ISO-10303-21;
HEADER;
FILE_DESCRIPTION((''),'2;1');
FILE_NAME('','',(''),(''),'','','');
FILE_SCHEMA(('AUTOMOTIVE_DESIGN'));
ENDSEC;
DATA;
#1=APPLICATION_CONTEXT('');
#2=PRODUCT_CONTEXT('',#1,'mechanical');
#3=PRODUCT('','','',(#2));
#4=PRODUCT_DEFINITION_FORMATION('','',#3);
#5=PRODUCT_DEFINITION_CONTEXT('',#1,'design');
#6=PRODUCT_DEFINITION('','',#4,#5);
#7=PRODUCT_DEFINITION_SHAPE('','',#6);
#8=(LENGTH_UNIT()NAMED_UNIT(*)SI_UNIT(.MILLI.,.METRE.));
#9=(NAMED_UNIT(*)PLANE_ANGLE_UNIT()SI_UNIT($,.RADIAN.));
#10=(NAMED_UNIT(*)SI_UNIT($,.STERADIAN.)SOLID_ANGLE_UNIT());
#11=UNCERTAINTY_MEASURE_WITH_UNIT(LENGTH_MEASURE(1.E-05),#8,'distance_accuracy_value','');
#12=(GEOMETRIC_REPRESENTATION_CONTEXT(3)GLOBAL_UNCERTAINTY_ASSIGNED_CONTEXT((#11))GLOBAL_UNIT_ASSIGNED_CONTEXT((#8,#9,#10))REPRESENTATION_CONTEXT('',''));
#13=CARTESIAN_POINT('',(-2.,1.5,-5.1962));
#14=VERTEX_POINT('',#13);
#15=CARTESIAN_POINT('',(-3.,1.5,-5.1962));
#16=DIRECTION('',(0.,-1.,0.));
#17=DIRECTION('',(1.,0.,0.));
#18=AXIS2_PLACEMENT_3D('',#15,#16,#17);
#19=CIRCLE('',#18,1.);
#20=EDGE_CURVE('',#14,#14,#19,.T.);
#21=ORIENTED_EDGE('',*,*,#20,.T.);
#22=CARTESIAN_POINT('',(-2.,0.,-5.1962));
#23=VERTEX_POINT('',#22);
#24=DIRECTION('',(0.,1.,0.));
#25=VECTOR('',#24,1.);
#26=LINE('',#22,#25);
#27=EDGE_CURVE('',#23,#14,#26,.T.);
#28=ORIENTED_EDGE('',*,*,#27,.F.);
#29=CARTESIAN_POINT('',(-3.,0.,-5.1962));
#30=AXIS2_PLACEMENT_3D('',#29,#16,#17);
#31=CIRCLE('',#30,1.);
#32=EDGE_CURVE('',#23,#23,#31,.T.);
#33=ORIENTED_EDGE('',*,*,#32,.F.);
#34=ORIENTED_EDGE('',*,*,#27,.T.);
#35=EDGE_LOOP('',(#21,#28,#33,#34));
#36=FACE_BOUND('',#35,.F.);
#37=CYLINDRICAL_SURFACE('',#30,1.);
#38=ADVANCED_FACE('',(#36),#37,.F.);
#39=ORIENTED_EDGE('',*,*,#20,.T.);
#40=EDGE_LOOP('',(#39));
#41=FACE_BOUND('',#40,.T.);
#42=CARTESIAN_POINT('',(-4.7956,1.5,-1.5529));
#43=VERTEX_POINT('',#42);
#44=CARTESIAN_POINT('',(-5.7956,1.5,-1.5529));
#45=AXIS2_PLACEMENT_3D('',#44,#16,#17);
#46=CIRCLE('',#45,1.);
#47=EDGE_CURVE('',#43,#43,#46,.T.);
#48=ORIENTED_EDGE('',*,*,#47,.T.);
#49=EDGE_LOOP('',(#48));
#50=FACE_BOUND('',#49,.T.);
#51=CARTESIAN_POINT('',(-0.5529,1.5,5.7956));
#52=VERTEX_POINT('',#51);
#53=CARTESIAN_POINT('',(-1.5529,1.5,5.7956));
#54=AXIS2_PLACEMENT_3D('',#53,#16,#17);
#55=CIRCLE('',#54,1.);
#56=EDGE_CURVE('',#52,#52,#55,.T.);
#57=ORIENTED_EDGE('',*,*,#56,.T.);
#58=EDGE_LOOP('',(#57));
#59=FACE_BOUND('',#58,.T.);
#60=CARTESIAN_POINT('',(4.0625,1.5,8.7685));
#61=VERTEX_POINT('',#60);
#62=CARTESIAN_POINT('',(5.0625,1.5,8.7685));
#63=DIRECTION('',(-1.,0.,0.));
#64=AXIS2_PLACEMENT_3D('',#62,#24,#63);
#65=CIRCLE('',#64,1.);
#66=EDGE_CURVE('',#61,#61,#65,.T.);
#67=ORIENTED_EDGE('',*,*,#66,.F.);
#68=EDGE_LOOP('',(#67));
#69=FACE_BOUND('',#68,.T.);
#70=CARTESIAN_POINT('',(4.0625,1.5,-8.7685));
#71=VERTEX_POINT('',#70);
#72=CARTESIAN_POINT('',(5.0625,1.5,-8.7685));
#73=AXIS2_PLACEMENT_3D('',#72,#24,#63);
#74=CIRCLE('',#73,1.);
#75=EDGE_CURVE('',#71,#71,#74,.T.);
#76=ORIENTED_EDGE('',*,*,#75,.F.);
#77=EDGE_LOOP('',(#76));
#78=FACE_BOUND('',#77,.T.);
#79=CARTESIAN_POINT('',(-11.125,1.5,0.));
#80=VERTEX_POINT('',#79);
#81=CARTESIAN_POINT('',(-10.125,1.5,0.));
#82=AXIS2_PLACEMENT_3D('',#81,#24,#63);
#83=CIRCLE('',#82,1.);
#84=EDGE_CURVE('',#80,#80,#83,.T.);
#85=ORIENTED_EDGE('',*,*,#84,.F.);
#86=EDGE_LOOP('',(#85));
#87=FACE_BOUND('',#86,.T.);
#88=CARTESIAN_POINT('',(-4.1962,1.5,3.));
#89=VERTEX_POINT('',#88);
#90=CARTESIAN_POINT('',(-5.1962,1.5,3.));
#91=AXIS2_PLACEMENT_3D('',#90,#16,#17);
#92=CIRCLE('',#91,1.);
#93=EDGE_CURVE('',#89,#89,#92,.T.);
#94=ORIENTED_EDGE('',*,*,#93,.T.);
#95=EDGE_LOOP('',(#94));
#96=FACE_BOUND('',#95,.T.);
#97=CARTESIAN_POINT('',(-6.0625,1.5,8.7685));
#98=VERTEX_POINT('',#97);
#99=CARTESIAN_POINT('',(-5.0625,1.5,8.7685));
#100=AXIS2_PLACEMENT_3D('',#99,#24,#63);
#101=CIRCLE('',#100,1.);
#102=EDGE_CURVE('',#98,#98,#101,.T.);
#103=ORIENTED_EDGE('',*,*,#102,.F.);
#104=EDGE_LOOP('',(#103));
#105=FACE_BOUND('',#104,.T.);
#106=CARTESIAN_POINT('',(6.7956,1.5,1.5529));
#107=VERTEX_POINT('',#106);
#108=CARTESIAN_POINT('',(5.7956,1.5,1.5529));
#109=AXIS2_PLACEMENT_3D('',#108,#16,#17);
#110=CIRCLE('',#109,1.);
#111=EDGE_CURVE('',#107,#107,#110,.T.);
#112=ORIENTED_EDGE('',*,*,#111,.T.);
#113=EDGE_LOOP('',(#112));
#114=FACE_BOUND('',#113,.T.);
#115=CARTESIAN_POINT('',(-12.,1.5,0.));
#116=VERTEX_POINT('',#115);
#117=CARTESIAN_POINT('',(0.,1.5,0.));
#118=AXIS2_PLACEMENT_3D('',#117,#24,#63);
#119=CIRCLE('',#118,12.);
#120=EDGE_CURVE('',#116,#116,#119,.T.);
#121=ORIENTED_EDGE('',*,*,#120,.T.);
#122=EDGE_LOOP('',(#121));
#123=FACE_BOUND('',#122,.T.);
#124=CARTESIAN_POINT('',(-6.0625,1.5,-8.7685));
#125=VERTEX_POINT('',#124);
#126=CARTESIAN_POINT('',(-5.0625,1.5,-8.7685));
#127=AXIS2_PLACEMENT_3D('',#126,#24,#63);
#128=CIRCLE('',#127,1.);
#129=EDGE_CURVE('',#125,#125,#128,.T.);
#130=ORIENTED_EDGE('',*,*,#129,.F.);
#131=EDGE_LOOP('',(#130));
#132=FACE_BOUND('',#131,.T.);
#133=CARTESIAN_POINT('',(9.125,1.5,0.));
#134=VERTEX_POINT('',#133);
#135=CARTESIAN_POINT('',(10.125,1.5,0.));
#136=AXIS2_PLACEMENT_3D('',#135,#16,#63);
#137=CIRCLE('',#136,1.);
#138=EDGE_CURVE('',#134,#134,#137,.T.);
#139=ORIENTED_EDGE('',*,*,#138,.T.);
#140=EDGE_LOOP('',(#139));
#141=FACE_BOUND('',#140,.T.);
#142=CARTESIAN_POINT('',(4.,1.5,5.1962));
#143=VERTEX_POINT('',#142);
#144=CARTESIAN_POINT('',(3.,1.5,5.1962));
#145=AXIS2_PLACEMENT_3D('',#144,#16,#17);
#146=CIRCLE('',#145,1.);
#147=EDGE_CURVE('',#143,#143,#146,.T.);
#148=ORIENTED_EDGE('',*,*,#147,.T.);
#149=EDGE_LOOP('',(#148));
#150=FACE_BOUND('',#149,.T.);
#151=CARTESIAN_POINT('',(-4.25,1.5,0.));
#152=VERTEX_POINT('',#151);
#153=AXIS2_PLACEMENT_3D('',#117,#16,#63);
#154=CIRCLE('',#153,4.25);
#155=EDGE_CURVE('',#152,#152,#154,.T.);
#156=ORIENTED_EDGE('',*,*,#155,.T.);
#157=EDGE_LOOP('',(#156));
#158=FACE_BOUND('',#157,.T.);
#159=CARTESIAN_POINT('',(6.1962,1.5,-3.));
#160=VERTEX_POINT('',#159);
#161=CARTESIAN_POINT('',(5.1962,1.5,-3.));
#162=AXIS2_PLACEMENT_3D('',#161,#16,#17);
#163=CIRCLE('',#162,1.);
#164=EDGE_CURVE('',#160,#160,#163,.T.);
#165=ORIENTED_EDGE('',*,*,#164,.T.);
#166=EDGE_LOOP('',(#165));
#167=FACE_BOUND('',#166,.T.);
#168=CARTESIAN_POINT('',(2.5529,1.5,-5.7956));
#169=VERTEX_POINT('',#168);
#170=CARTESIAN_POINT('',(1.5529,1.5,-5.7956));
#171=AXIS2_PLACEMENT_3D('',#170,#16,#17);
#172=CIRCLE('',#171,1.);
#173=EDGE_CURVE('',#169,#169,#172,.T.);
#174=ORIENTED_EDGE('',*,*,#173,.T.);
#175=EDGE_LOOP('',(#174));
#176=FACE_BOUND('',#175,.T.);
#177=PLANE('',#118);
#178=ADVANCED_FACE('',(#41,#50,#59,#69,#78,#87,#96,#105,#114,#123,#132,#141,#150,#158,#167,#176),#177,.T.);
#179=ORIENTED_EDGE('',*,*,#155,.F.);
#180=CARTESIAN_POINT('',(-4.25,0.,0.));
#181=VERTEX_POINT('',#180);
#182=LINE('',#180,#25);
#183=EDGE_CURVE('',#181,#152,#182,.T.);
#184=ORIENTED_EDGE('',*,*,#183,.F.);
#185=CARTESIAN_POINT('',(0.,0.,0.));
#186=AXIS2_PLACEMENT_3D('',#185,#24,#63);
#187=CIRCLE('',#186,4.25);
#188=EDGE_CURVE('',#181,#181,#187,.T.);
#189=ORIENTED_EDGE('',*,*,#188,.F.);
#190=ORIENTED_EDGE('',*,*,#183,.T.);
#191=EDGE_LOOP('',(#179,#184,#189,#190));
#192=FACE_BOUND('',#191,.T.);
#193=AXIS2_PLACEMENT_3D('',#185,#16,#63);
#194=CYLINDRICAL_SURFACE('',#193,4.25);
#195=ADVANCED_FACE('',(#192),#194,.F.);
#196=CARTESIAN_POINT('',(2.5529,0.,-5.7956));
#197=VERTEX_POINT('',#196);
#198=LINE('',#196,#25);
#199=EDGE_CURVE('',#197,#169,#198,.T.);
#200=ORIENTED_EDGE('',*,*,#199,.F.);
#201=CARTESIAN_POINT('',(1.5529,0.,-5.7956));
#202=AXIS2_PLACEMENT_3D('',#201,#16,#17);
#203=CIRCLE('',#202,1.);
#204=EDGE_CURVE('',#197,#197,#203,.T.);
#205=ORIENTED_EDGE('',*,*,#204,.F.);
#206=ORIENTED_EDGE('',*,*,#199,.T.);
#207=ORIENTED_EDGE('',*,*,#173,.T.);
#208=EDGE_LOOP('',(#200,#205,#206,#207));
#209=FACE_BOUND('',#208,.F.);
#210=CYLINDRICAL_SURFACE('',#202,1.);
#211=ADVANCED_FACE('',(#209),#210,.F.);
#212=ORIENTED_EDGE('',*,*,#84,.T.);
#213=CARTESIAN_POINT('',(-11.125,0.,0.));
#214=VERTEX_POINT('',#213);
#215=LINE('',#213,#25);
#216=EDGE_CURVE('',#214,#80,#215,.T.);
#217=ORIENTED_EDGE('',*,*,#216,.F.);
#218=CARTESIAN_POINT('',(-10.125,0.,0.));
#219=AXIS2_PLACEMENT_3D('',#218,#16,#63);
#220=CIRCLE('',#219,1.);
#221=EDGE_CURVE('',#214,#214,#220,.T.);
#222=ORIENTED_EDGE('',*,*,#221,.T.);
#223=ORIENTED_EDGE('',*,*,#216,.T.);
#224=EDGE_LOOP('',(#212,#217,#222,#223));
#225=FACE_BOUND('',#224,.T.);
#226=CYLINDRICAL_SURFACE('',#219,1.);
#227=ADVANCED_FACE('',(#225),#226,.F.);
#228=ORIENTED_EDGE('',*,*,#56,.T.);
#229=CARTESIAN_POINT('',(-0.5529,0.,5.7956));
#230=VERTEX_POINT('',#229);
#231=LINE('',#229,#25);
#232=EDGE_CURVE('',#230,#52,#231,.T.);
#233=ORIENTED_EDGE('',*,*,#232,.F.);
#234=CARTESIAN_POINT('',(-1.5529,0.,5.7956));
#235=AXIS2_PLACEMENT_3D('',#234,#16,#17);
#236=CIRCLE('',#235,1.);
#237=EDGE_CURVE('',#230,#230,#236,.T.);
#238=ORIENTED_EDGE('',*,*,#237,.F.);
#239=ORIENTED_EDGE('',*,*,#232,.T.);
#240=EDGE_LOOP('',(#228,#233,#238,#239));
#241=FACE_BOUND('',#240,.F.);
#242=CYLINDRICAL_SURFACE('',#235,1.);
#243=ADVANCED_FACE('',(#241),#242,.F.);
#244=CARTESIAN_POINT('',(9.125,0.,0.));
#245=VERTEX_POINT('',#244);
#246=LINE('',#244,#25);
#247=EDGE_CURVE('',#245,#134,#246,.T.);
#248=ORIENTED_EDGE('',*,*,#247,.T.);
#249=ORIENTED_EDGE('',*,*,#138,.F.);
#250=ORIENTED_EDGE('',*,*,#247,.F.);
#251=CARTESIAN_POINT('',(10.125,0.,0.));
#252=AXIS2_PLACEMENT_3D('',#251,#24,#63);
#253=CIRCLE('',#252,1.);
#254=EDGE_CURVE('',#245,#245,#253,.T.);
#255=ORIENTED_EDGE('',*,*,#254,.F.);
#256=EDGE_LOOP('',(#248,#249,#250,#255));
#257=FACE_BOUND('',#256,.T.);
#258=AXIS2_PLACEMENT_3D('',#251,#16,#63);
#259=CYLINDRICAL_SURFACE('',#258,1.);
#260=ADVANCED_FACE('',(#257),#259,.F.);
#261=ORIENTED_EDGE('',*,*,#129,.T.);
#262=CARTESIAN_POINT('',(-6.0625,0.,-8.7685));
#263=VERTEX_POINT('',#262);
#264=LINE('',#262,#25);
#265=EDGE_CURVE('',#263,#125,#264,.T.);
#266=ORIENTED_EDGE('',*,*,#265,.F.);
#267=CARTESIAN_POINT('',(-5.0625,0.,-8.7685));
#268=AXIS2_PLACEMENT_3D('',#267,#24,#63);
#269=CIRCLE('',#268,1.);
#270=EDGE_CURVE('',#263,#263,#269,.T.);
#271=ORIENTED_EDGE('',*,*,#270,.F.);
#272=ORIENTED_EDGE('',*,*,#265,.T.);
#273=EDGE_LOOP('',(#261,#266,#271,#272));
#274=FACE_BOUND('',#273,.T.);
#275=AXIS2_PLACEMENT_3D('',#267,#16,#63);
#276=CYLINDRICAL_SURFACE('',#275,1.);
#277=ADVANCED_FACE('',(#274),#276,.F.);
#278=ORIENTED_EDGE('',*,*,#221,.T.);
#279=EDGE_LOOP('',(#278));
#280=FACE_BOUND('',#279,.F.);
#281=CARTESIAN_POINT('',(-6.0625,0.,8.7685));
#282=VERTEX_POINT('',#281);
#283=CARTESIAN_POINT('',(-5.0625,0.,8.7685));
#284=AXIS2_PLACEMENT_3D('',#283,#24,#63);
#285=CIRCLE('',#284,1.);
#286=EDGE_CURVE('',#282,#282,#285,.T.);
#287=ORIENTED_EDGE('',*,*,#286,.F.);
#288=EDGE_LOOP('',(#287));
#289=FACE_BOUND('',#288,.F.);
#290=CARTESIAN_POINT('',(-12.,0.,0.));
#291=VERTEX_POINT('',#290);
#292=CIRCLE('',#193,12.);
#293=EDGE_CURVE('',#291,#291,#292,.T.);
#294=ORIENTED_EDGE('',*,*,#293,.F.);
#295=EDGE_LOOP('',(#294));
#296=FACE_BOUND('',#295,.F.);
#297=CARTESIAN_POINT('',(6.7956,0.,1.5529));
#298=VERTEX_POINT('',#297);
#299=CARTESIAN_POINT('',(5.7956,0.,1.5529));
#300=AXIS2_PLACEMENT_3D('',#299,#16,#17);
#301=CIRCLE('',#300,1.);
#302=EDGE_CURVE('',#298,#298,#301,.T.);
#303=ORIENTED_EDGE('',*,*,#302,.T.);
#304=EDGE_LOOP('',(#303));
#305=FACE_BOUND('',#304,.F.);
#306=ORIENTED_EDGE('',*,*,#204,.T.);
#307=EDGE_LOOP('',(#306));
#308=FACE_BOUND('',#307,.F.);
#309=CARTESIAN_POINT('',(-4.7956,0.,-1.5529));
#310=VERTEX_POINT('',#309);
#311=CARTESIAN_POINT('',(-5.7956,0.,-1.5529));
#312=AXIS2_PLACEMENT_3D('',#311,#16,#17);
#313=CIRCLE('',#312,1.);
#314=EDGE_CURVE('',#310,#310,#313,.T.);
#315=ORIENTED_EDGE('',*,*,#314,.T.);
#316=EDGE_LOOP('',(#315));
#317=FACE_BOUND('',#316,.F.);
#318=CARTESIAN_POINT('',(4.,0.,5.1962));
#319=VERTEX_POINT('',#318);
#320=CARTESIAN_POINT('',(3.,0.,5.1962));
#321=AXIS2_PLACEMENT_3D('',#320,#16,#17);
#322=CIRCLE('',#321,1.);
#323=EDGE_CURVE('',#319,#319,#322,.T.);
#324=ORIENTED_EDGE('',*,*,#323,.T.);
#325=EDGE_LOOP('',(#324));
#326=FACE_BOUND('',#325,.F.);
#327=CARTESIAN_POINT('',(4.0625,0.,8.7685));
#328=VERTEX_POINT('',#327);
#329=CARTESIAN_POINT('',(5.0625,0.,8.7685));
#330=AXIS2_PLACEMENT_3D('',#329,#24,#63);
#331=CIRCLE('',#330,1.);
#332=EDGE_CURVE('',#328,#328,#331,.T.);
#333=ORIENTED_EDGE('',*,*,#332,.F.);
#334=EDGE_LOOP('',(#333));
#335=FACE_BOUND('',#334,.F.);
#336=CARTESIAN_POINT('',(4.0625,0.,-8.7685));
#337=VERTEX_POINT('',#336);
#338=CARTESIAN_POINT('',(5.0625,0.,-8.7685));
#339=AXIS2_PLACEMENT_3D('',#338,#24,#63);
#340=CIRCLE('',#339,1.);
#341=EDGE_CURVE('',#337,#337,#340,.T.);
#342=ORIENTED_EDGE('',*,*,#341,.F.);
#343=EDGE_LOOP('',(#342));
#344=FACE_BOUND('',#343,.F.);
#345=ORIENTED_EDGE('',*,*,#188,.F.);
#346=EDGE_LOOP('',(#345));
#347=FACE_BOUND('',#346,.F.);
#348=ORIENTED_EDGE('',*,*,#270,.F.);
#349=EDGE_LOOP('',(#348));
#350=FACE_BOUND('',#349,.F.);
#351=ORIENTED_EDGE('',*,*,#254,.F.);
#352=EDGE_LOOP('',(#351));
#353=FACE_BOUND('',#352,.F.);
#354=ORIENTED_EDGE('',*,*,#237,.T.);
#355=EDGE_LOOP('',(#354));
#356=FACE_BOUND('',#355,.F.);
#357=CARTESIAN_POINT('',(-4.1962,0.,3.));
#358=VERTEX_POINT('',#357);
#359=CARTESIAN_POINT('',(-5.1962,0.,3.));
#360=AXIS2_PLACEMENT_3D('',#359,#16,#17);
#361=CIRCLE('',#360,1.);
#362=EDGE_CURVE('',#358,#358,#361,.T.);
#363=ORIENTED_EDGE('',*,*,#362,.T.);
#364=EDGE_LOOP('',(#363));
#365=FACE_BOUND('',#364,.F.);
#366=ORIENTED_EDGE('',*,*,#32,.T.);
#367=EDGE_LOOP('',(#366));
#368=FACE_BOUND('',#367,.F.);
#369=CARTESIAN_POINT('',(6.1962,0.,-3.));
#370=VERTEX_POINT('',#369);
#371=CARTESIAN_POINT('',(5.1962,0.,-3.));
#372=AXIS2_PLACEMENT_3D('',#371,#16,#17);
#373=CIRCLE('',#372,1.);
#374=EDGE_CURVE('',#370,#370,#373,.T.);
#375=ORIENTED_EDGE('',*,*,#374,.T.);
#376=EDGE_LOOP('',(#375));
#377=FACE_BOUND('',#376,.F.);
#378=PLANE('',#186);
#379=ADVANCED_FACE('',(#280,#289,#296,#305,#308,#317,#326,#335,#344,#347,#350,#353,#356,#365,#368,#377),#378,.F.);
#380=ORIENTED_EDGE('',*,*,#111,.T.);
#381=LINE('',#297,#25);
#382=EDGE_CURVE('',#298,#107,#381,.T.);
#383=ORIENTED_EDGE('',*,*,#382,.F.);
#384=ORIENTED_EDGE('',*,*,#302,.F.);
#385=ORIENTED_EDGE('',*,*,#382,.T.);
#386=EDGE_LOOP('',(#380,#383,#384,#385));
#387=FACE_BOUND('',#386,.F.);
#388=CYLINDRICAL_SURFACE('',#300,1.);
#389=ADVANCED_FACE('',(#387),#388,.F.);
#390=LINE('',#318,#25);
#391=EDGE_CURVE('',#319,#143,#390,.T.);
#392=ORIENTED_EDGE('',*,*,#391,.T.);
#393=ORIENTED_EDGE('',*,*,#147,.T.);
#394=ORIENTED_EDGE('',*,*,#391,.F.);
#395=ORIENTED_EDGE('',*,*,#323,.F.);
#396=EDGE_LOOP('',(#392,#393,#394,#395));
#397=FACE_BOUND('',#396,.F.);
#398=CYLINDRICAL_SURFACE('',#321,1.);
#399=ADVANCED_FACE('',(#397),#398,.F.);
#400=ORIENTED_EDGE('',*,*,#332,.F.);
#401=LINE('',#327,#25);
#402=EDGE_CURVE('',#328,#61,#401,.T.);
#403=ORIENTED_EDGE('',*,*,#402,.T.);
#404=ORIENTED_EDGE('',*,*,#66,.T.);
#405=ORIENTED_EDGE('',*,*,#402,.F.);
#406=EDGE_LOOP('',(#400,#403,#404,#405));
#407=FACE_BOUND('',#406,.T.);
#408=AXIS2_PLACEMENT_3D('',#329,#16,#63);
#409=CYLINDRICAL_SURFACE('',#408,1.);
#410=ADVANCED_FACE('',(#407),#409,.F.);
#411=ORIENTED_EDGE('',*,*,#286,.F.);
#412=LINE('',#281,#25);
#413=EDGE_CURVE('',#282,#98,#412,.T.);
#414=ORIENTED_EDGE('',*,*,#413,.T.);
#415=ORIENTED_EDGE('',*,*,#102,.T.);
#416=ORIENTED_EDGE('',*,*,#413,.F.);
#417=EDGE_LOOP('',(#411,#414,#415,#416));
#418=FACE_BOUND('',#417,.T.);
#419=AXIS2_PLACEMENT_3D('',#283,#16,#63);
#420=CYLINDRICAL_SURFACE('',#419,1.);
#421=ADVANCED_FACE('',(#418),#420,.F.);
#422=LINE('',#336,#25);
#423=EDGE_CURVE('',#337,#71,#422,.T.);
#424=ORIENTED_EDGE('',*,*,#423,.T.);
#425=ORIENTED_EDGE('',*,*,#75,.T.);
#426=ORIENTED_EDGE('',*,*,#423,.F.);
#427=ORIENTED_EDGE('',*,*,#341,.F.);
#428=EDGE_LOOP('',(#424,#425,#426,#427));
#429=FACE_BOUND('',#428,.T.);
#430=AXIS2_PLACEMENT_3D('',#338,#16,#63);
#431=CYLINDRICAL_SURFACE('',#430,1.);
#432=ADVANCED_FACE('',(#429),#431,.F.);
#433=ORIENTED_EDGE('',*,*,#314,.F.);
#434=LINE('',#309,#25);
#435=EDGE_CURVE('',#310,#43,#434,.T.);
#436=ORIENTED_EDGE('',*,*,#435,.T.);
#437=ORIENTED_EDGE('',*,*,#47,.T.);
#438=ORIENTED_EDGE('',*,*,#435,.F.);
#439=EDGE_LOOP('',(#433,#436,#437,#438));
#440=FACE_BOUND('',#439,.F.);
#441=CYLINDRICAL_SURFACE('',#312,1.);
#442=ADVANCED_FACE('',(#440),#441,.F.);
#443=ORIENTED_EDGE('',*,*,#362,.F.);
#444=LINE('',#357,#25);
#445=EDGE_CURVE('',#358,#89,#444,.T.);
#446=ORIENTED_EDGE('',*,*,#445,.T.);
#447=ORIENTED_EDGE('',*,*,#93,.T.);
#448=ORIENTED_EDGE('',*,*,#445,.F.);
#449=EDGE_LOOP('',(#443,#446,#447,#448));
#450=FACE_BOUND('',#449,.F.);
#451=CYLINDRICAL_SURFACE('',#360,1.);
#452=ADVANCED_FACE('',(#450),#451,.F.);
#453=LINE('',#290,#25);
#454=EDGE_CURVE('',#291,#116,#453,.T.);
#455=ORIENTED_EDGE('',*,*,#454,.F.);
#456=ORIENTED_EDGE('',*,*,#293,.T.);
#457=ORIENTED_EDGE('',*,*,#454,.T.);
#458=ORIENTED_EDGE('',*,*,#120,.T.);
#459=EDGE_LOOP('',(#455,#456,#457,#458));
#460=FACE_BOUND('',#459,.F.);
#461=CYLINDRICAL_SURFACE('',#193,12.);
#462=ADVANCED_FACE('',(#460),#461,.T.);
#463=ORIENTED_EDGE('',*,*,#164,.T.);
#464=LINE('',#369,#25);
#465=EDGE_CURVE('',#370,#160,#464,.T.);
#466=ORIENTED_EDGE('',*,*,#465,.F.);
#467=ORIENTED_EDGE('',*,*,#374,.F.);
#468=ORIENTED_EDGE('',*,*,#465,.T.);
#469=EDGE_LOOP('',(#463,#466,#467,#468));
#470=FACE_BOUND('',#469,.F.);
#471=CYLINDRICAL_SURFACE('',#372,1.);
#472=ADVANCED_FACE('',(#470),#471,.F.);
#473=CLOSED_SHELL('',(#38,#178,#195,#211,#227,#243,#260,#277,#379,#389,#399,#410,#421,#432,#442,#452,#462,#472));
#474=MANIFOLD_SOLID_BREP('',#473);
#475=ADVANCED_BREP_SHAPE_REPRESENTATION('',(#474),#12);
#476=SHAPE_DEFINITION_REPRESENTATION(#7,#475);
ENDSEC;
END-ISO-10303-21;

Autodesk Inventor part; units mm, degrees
ref_plane "YZ Plane" through (0, 0, 0) normal (1, 0, 0) x (0, 1, 0)
ref_plane "XZ Plane" through (0, 0, 0) normal (0, 1, 0) x (-1, 0, 0)
ref_plane "XY Plane" through (0, 0, 0) normal (0, 0, 1) x (1, 0, 0)
sketch "スケッチ1" plane through (0, 0, 0) normal (0, 1, 0) x (-1, 0, 0)
  circle A0 centre (0, 0) radius 8.25 construction
  circle A1 centre (0, 0) radius 12
  circle A2 centre (0, 0) radius 10.125 construction
  circle A3 centre (10.125, 0) radius 1
  line L0 (16.8, 0) -> (-16.8, 0)
  circle A4 centre (5.0625, 8.7685) radius 1
  circle A5 centre (-5.0625, 8.7685) radius 1
  circle A6 centre (-10.125, 0) radius 1
  circle A7 centre (-5.0625, -8.7685) radius 1
  circle A8 centre (5.0625, -8.7685) radius 1
  circle A9 centre (0, 0) radius 4.25
  dimension "d3" = 20.25
  dimension "d0" = 16.5
  dimension "d1" = 24
  dimension "d4" = 2
  dimension "d7" = 360
  dimension "d9" = 8.5
extrude "プレート1" add sketch "スケッチ1" along normal blind 1.5 contours L0 A3 A9 A6 A1 | A1 L0 A6 A9 A3
sketch "スケッチ2" plane through (0, 0, 0) normal (0, -1, 0) x (1, 0, 0)
  circle A0 centre (5.1962, -3) radius 1 projected
  circle A1 centre (5.7956, 1.5529) radius 1 projected
  circle A2 centre (3, 5.1962) radius 1 projected
  circle A3 centre (-5.7956, -1.5529) radius 1 projected
  line L0 (17.8564, -1.0718) -> (9.8564, -14.9282) projected
  line L1 (-17.8564, 1.0718) -> (-12.4853, -2.0292) projected
  arc A4 (11.5588, 3.2239) -> (-2.9874, 11.6222) centre (0, 0) ccw projected
  line L2 (4.4853, -11.8272) -> (9.8564, -14.9282) projected
  line L3 (-17.8564, 1.0718) -> (-9.8564, 14.9282) projected
  line L4 (17.8564, -1.0718) -> (12.4853, 2.0292) projected
  arc A5 (-11.5588, -3.2239) -> (2.9874, -11.6222) centre (0, 0) ccw projected
  line L5 (-4.4853, 11.8272) -> (-9.8564, 14.9282) projected
  circle A6 centre (-5.7956, -1.5529) radius 1 projected
  circle A7 centre (-3, -5.1962) radius 1 projected
  circle A8 centre (0, 0) radius 4.25 projected
  circle A9 centre (1.5529, -5.7956) radius 1 projected
  circle A10 centre (5.1962, -3) radius 1 projected
  circle A11 centre (5.7956, 1.5529) radius 1 projected
  circle A12 centre (3, 5.1962) radius 1 projected
  circle A13 centre (1.5529, -5.7956) radius 1 projected
  circle A14 centre (-5.0625, 8.7685) radius 1 projected
  circle A15 centre (-5.0625, -8.7685) radius 1 projected
  circle A16 centre (10.125, 0) radius 1 projected
  circle A17 centre (5.0625, -8.7685) radius 1 projected
  circle A18 centre (-10.125, 0) radius 1 projected
  circle A19 centre (5.0625, 8.7685) radius 1 projected
  arc A20 (4.4853, -11.8272) -> (2.9874, -11.6222) centre (3.4853, -13.5592) ccw projected
  arc A21 (-11.5588, -3.2239) -> (-12.4853, -2.0292) centre (-13.4853, -3.7613) ccw projected
  arc A22 (-4.4853, 11.8272) -> (-2.9874, 11.6222) centre (-3.4853, 13.5592) ccw projected
  arc A23 (11.5588, 3.2239) -> (12.4853, 2.0292) centre (13.4853, 3.7613) ccw projected
  circle A24 centre (-5.1962, 3) radius 1 projected
  circle A25 centre (-1.5529, 5.7956) radius 1 projected
  point P0 (0, 0)
  point P1 (0, 0)
  point P2 (0, 0)
  point P3 (0, 0)
  point P4 (0, 0)
  point P5 (9.798, -10)
  point P6 (-9.798, -10)
  point P7 (-9.798, 10)
  point P8 (9.798, 10)
extrude "切り取り1" cut sketch "スケッチ2" against normal blind 1.5 contours A0 | A1 | A2 | A3 | A7 | A9 | A24 | A25
equation "\"d3\" = 0.5 * d0 + 0.5 * d1"
equation "\"d10\" = Thickness"
equation "\"d2\" = Thickness"
equation "\"BendRadius\" = Thickness"
equation "\"BendReliefWidth\" = Thickness"
equation "\"BendReliefDepth\" = 0.5 * Thickness"
equation "\"CornerReliefSize\" = 4 * Thickness"
equation "\"MinimumRemnant\" = 2 * Thickness"
equation "\"TransitionRadius\" = BendRadius"
equation "\"JacobiRadiusSize\" = BendRadius"
equation "\"GapSize\" = Thickness"
equation "\"Thickness\" = 1.5"
properties part number "sholder_joint_s" material "アルミニウム 6061"
